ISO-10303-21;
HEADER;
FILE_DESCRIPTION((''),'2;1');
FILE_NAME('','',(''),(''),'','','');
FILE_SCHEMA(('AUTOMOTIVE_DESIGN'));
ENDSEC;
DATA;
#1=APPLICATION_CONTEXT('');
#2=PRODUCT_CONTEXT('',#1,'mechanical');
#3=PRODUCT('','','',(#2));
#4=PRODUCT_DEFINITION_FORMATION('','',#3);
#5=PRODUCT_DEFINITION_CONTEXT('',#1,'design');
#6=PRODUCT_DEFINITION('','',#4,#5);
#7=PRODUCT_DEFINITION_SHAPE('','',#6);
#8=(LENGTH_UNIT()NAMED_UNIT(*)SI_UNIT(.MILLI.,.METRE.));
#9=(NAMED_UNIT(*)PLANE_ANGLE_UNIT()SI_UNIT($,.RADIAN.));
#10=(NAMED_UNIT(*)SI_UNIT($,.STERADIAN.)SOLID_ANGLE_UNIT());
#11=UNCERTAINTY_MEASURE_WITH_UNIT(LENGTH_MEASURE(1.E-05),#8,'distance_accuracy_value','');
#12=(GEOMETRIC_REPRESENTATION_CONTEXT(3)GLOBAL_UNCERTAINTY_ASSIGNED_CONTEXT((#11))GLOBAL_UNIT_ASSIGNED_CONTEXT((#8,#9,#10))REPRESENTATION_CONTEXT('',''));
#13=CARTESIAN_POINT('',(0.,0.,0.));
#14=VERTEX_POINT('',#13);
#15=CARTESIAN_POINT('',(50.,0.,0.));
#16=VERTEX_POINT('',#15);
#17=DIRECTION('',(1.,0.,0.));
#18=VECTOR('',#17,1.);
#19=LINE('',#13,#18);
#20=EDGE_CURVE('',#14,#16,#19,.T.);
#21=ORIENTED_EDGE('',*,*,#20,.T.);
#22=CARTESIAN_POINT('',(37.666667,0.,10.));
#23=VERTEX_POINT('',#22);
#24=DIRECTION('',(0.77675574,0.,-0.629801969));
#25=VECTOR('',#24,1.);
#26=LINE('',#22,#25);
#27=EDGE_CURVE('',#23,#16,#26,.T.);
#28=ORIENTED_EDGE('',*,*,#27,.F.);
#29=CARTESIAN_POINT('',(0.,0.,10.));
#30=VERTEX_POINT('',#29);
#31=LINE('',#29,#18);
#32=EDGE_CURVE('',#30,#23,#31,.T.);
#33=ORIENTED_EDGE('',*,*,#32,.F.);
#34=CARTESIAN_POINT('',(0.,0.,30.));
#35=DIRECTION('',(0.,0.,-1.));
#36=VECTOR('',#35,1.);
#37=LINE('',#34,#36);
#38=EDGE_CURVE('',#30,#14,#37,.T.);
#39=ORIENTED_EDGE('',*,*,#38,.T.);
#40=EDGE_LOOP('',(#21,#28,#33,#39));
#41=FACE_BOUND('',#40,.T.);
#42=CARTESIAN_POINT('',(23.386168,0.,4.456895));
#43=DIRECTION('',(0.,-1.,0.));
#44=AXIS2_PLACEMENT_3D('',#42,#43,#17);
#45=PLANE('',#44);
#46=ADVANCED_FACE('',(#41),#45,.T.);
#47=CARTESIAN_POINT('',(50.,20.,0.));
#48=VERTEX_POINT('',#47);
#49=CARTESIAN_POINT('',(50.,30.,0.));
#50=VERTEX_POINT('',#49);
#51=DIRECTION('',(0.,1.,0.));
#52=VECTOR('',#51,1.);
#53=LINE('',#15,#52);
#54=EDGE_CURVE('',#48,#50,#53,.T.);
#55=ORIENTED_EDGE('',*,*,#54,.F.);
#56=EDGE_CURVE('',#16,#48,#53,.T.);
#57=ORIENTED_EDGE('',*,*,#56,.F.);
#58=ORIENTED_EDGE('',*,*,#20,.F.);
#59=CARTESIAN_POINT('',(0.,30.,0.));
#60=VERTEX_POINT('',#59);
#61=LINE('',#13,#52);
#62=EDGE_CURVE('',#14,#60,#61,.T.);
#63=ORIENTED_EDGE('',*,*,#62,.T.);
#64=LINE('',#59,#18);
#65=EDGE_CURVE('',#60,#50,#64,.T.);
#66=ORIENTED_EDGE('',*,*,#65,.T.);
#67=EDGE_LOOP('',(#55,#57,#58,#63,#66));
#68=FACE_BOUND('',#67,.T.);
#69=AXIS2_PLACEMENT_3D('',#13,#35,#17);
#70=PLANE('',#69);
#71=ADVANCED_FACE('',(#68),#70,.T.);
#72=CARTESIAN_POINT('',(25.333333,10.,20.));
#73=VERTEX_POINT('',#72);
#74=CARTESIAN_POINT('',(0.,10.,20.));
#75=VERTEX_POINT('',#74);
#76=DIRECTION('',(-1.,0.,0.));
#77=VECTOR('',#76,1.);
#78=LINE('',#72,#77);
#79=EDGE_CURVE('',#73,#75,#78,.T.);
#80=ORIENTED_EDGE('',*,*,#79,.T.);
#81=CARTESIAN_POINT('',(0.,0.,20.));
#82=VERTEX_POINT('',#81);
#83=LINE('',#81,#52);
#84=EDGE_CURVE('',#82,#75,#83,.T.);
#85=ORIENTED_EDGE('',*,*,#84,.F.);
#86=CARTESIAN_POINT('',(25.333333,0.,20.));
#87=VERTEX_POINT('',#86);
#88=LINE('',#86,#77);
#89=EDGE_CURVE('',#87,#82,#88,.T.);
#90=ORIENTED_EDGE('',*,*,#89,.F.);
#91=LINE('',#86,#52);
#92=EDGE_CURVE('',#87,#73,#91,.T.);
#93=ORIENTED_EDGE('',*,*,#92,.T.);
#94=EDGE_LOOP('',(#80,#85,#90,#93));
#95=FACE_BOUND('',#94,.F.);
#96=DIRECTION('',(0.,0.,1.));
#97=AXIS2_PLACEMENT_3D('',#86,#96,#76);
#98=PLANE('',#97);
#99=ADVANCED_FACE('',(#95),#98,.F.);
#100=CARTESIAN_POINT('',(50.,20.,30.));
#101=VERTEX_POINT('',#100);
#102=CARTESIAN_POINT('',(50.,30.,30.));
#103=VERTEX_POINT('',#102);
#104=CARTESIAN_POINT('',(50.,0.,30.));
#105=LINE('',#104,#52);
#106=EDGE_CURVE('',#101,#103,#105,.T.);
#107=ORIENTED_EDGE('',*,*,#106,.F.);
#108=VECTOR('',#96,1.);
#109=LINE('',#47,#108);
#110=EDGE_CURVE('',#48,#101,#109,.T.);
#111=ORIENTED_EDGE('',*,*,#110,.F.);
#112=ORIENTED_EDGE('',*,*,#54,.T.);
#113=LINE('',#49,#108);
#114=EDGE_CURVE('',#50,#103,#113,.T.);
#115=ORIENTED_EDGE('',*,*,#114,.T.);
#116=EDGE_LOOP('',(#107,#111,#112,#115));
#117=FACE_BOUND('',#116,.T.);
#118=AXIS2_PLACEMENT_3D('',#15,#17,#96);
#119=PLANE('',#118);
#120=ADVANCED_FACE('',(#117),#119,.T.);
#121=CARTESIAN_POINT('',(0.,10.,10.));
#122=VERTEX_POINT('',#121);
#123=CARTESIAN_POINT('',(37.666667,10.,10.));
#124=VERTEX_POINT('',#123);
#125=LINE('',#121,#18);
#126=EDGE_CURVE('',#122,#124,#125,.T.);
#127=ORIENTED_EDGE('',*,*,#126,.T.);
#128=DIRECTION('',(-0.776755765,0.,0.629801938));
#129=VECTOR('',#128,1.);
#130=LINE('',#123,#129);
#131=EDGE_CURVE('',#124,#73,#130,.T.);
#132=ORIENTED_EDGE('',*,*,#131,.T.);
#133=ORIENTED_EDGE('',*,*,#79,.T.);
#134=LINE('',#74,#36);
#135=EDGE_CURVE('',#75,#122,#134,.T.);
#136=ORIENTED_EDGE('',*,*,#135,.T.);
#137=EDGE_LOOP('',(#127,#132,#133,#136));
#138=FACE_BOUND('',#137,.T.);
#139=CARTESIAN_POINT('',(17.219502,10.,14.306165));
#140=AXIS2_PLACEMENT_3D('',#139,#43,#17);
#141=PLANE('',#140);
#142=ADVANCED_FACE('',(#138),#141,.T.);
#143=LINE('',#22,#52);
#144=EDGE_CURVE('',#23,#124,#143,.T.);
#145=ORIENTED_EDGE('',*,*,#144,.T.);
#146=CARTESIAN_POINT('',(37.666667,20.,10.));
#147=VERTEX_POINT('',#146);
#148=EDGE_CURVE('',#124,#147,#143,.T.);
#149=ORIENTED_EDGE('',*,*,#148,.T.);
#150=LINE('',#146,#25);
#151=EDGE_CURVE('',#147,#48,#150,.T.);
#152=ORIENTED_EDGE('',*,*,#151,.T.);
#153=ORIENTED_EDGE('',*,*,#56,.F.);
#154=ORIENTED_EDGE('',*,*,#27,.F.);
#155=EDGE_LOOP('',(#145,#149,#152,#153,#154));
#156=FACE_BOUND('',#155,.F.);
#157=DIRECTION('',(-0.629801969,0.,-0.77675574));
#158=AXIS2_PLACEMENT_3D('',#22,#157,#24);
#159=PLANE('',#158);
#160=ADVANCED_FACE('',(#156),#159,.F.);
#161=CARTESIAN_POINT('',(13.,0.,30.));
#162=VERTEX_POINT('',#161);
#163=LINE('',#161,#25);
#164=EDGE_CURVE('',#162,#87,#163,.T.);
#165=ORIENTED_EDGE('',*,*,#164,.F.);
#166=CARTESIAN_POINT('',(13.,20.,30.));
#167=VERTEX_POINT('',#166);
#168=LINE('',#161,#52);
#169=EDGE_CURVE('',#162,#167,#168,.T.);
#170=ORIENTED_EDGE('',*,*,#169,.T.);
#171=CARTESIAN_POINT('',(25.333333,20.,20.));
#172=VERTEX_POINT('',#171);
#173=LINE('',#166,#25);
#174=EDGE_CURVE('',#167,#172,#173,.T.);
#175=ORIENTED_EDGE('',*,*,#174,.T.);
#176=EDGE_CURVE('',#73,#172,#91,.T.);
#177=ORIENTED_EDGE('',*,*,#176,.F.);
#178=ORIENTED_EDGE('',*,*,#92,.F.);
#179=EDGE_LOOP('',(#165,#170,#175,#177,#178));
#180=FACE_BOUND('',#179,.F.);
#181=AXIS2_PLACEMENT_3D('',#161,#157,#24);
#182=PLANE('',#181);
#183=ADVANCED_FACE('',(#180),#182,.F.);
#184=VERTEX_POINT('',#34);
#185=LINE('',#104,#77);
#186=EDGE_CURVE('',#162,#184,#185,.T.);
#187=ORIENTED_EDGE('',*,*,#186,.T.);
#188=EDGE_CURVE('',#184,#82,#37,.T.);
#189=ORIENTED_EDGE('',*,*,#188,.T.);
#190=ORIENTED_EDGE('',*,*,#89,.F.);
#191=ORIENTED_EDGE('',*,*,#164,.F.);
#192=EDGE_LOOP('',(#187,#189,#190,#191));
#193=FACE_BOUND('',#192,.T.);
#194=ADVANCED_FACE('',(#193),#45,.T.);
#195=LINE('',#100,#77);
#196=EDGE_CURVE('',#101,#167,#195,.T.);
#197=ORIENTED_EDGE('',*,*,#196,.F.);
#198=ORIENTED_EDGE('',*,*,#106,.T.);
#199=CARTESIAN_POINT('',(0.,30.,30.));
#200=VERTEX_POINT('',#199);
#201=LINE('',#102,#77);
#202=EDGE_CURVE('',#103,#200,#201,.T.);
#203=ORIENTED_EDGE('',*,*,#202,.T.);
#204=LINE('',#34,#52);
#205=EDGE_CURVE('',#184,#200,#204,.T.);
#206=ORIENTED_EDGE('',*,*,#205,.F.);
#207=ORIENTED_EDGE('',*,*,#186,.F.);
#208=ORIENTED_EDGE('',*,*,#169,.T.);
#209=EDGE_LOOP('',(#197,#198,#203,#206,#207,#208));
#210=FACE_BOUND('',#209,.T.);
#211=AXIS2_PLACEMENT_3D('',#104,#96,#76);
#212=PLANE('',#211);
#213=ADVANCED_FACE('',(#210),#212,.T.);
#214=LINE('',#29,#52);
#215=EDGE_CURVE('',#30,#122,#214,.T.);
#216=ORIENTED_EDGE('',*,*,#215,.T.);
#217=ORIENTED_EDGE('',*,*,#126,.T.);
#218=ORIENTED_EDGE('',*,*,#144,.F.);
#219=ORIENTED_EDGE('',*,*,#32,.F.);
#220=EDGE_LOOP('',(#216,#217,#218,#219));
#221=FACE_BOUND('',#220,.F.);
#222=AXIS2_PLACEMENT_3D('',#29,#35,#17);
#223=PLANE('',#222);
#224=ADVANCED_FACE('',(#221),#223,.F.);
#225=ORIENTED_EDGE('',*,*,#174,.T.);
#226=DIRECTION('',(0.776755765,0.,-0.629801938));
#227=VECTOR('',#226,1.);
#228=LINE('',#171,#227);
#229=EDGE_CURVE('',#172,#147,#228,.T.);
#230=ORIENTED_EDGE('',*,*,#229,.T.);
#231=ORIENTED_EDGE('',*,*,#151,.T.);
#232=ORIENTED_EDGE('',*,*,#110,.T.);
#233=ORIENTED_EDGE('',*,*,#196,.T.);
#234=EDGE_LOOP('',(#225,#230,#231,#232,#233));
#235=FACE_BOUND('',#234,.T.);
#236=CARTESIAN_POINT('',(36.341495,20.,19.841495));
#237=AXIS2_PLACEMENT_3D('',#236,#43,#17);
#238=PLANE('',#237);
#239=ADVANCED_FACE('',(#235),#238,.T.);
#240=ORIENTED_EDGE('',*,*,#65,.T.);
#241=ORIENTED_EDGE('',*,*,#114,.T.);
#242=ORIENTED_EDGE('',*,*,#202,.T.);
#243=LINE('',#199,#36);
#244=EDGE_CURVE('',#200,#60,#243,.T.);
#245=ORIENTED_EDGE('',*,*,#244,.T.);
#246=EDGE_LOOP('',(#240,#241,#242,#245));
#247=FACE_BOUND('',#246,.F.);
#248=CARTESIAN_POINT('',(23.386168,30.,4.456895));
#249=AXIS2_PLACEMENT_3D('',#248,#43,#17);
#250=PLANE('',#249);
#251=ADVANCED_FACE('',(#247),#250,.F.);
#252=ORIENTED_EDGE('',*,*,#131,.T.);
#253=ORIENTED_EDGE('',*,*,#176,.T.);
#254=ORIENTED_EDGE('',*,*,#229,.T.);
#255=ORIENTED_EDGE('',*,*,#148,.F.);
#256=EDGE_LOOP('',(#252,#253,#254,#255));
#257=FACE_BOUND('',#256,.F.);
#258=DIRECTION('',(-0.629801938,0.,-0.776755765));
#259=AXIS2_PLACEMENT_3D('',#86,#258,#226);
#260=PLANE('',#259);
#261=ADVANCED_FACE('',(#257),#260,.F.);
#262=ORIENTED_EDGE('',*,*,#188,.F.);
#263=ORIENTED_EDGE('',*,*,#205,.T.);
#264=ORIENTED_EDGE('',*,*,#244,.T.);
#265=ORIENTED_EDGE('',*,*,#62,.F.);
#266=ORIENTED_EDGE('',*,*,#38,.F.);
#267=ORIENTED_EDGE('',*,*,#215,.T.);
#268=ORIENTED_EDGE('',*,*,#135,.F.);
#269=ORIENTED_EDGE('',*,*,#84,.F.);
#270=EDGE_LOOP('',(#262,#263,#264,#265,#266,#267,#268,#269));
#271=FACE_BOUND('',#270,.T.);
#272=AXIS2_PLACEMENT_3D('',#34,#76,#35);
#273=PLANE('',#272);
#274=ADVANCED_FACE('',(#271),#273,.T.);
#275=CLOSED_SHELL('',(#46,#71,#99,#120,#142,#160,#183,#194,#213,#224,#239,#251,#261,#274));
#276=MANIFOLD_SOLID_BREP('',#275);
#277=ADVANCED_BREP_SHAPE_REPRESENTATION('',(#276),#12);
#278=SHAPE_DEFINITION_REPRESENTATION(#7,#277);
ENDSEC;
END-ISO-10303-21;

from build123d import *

# Parameters (mm, degrees)
F1_DEPTH = 30
F2_DEPTH = 20
F3_DEPTH = 10


with BuildPart() as f1:
    # F0 (on Front) → F1 (new body)
    with BuildSketch(Plane.XZ):
        Polygon((0, 10), (0, 0), (50, 0), (37.666667, 10), align=None)
        Polygon((37.666667, 10), (50, 0), (50, 30), (13, 30), (25.333333, 20), align=None)
        Polygon((0, 20), (0, 10), (37.666667, 10), (25.333333, 20), align=None)
        Polygon((0, 30), (0, 20), (25.333333, 20), (13, 30), align=None)
    extrude(amount=-F1_DEPTH)

    # F0 (on Front) → F2 (cut)
    with BuildSketch(Plane.XZ):
        Polygon((37.666667, 10), (50, 0), (50, 30), (13, 30), (25.333333, 20), align=None)
    extrude(amount=-F2_DEPTH, mode=Mode.SUBTRACT)

    # F0 (on Front) → F3 (cut)
    with BuildSketch(Plane.XZ):
        Polygon((0, 20), (0, 10), (37.666667, 10), (25.333333, 20), align=None)
    extrude(amount=-F3_DEPTH, mode=Mode.SUBTRACT)


solid = f1.part
